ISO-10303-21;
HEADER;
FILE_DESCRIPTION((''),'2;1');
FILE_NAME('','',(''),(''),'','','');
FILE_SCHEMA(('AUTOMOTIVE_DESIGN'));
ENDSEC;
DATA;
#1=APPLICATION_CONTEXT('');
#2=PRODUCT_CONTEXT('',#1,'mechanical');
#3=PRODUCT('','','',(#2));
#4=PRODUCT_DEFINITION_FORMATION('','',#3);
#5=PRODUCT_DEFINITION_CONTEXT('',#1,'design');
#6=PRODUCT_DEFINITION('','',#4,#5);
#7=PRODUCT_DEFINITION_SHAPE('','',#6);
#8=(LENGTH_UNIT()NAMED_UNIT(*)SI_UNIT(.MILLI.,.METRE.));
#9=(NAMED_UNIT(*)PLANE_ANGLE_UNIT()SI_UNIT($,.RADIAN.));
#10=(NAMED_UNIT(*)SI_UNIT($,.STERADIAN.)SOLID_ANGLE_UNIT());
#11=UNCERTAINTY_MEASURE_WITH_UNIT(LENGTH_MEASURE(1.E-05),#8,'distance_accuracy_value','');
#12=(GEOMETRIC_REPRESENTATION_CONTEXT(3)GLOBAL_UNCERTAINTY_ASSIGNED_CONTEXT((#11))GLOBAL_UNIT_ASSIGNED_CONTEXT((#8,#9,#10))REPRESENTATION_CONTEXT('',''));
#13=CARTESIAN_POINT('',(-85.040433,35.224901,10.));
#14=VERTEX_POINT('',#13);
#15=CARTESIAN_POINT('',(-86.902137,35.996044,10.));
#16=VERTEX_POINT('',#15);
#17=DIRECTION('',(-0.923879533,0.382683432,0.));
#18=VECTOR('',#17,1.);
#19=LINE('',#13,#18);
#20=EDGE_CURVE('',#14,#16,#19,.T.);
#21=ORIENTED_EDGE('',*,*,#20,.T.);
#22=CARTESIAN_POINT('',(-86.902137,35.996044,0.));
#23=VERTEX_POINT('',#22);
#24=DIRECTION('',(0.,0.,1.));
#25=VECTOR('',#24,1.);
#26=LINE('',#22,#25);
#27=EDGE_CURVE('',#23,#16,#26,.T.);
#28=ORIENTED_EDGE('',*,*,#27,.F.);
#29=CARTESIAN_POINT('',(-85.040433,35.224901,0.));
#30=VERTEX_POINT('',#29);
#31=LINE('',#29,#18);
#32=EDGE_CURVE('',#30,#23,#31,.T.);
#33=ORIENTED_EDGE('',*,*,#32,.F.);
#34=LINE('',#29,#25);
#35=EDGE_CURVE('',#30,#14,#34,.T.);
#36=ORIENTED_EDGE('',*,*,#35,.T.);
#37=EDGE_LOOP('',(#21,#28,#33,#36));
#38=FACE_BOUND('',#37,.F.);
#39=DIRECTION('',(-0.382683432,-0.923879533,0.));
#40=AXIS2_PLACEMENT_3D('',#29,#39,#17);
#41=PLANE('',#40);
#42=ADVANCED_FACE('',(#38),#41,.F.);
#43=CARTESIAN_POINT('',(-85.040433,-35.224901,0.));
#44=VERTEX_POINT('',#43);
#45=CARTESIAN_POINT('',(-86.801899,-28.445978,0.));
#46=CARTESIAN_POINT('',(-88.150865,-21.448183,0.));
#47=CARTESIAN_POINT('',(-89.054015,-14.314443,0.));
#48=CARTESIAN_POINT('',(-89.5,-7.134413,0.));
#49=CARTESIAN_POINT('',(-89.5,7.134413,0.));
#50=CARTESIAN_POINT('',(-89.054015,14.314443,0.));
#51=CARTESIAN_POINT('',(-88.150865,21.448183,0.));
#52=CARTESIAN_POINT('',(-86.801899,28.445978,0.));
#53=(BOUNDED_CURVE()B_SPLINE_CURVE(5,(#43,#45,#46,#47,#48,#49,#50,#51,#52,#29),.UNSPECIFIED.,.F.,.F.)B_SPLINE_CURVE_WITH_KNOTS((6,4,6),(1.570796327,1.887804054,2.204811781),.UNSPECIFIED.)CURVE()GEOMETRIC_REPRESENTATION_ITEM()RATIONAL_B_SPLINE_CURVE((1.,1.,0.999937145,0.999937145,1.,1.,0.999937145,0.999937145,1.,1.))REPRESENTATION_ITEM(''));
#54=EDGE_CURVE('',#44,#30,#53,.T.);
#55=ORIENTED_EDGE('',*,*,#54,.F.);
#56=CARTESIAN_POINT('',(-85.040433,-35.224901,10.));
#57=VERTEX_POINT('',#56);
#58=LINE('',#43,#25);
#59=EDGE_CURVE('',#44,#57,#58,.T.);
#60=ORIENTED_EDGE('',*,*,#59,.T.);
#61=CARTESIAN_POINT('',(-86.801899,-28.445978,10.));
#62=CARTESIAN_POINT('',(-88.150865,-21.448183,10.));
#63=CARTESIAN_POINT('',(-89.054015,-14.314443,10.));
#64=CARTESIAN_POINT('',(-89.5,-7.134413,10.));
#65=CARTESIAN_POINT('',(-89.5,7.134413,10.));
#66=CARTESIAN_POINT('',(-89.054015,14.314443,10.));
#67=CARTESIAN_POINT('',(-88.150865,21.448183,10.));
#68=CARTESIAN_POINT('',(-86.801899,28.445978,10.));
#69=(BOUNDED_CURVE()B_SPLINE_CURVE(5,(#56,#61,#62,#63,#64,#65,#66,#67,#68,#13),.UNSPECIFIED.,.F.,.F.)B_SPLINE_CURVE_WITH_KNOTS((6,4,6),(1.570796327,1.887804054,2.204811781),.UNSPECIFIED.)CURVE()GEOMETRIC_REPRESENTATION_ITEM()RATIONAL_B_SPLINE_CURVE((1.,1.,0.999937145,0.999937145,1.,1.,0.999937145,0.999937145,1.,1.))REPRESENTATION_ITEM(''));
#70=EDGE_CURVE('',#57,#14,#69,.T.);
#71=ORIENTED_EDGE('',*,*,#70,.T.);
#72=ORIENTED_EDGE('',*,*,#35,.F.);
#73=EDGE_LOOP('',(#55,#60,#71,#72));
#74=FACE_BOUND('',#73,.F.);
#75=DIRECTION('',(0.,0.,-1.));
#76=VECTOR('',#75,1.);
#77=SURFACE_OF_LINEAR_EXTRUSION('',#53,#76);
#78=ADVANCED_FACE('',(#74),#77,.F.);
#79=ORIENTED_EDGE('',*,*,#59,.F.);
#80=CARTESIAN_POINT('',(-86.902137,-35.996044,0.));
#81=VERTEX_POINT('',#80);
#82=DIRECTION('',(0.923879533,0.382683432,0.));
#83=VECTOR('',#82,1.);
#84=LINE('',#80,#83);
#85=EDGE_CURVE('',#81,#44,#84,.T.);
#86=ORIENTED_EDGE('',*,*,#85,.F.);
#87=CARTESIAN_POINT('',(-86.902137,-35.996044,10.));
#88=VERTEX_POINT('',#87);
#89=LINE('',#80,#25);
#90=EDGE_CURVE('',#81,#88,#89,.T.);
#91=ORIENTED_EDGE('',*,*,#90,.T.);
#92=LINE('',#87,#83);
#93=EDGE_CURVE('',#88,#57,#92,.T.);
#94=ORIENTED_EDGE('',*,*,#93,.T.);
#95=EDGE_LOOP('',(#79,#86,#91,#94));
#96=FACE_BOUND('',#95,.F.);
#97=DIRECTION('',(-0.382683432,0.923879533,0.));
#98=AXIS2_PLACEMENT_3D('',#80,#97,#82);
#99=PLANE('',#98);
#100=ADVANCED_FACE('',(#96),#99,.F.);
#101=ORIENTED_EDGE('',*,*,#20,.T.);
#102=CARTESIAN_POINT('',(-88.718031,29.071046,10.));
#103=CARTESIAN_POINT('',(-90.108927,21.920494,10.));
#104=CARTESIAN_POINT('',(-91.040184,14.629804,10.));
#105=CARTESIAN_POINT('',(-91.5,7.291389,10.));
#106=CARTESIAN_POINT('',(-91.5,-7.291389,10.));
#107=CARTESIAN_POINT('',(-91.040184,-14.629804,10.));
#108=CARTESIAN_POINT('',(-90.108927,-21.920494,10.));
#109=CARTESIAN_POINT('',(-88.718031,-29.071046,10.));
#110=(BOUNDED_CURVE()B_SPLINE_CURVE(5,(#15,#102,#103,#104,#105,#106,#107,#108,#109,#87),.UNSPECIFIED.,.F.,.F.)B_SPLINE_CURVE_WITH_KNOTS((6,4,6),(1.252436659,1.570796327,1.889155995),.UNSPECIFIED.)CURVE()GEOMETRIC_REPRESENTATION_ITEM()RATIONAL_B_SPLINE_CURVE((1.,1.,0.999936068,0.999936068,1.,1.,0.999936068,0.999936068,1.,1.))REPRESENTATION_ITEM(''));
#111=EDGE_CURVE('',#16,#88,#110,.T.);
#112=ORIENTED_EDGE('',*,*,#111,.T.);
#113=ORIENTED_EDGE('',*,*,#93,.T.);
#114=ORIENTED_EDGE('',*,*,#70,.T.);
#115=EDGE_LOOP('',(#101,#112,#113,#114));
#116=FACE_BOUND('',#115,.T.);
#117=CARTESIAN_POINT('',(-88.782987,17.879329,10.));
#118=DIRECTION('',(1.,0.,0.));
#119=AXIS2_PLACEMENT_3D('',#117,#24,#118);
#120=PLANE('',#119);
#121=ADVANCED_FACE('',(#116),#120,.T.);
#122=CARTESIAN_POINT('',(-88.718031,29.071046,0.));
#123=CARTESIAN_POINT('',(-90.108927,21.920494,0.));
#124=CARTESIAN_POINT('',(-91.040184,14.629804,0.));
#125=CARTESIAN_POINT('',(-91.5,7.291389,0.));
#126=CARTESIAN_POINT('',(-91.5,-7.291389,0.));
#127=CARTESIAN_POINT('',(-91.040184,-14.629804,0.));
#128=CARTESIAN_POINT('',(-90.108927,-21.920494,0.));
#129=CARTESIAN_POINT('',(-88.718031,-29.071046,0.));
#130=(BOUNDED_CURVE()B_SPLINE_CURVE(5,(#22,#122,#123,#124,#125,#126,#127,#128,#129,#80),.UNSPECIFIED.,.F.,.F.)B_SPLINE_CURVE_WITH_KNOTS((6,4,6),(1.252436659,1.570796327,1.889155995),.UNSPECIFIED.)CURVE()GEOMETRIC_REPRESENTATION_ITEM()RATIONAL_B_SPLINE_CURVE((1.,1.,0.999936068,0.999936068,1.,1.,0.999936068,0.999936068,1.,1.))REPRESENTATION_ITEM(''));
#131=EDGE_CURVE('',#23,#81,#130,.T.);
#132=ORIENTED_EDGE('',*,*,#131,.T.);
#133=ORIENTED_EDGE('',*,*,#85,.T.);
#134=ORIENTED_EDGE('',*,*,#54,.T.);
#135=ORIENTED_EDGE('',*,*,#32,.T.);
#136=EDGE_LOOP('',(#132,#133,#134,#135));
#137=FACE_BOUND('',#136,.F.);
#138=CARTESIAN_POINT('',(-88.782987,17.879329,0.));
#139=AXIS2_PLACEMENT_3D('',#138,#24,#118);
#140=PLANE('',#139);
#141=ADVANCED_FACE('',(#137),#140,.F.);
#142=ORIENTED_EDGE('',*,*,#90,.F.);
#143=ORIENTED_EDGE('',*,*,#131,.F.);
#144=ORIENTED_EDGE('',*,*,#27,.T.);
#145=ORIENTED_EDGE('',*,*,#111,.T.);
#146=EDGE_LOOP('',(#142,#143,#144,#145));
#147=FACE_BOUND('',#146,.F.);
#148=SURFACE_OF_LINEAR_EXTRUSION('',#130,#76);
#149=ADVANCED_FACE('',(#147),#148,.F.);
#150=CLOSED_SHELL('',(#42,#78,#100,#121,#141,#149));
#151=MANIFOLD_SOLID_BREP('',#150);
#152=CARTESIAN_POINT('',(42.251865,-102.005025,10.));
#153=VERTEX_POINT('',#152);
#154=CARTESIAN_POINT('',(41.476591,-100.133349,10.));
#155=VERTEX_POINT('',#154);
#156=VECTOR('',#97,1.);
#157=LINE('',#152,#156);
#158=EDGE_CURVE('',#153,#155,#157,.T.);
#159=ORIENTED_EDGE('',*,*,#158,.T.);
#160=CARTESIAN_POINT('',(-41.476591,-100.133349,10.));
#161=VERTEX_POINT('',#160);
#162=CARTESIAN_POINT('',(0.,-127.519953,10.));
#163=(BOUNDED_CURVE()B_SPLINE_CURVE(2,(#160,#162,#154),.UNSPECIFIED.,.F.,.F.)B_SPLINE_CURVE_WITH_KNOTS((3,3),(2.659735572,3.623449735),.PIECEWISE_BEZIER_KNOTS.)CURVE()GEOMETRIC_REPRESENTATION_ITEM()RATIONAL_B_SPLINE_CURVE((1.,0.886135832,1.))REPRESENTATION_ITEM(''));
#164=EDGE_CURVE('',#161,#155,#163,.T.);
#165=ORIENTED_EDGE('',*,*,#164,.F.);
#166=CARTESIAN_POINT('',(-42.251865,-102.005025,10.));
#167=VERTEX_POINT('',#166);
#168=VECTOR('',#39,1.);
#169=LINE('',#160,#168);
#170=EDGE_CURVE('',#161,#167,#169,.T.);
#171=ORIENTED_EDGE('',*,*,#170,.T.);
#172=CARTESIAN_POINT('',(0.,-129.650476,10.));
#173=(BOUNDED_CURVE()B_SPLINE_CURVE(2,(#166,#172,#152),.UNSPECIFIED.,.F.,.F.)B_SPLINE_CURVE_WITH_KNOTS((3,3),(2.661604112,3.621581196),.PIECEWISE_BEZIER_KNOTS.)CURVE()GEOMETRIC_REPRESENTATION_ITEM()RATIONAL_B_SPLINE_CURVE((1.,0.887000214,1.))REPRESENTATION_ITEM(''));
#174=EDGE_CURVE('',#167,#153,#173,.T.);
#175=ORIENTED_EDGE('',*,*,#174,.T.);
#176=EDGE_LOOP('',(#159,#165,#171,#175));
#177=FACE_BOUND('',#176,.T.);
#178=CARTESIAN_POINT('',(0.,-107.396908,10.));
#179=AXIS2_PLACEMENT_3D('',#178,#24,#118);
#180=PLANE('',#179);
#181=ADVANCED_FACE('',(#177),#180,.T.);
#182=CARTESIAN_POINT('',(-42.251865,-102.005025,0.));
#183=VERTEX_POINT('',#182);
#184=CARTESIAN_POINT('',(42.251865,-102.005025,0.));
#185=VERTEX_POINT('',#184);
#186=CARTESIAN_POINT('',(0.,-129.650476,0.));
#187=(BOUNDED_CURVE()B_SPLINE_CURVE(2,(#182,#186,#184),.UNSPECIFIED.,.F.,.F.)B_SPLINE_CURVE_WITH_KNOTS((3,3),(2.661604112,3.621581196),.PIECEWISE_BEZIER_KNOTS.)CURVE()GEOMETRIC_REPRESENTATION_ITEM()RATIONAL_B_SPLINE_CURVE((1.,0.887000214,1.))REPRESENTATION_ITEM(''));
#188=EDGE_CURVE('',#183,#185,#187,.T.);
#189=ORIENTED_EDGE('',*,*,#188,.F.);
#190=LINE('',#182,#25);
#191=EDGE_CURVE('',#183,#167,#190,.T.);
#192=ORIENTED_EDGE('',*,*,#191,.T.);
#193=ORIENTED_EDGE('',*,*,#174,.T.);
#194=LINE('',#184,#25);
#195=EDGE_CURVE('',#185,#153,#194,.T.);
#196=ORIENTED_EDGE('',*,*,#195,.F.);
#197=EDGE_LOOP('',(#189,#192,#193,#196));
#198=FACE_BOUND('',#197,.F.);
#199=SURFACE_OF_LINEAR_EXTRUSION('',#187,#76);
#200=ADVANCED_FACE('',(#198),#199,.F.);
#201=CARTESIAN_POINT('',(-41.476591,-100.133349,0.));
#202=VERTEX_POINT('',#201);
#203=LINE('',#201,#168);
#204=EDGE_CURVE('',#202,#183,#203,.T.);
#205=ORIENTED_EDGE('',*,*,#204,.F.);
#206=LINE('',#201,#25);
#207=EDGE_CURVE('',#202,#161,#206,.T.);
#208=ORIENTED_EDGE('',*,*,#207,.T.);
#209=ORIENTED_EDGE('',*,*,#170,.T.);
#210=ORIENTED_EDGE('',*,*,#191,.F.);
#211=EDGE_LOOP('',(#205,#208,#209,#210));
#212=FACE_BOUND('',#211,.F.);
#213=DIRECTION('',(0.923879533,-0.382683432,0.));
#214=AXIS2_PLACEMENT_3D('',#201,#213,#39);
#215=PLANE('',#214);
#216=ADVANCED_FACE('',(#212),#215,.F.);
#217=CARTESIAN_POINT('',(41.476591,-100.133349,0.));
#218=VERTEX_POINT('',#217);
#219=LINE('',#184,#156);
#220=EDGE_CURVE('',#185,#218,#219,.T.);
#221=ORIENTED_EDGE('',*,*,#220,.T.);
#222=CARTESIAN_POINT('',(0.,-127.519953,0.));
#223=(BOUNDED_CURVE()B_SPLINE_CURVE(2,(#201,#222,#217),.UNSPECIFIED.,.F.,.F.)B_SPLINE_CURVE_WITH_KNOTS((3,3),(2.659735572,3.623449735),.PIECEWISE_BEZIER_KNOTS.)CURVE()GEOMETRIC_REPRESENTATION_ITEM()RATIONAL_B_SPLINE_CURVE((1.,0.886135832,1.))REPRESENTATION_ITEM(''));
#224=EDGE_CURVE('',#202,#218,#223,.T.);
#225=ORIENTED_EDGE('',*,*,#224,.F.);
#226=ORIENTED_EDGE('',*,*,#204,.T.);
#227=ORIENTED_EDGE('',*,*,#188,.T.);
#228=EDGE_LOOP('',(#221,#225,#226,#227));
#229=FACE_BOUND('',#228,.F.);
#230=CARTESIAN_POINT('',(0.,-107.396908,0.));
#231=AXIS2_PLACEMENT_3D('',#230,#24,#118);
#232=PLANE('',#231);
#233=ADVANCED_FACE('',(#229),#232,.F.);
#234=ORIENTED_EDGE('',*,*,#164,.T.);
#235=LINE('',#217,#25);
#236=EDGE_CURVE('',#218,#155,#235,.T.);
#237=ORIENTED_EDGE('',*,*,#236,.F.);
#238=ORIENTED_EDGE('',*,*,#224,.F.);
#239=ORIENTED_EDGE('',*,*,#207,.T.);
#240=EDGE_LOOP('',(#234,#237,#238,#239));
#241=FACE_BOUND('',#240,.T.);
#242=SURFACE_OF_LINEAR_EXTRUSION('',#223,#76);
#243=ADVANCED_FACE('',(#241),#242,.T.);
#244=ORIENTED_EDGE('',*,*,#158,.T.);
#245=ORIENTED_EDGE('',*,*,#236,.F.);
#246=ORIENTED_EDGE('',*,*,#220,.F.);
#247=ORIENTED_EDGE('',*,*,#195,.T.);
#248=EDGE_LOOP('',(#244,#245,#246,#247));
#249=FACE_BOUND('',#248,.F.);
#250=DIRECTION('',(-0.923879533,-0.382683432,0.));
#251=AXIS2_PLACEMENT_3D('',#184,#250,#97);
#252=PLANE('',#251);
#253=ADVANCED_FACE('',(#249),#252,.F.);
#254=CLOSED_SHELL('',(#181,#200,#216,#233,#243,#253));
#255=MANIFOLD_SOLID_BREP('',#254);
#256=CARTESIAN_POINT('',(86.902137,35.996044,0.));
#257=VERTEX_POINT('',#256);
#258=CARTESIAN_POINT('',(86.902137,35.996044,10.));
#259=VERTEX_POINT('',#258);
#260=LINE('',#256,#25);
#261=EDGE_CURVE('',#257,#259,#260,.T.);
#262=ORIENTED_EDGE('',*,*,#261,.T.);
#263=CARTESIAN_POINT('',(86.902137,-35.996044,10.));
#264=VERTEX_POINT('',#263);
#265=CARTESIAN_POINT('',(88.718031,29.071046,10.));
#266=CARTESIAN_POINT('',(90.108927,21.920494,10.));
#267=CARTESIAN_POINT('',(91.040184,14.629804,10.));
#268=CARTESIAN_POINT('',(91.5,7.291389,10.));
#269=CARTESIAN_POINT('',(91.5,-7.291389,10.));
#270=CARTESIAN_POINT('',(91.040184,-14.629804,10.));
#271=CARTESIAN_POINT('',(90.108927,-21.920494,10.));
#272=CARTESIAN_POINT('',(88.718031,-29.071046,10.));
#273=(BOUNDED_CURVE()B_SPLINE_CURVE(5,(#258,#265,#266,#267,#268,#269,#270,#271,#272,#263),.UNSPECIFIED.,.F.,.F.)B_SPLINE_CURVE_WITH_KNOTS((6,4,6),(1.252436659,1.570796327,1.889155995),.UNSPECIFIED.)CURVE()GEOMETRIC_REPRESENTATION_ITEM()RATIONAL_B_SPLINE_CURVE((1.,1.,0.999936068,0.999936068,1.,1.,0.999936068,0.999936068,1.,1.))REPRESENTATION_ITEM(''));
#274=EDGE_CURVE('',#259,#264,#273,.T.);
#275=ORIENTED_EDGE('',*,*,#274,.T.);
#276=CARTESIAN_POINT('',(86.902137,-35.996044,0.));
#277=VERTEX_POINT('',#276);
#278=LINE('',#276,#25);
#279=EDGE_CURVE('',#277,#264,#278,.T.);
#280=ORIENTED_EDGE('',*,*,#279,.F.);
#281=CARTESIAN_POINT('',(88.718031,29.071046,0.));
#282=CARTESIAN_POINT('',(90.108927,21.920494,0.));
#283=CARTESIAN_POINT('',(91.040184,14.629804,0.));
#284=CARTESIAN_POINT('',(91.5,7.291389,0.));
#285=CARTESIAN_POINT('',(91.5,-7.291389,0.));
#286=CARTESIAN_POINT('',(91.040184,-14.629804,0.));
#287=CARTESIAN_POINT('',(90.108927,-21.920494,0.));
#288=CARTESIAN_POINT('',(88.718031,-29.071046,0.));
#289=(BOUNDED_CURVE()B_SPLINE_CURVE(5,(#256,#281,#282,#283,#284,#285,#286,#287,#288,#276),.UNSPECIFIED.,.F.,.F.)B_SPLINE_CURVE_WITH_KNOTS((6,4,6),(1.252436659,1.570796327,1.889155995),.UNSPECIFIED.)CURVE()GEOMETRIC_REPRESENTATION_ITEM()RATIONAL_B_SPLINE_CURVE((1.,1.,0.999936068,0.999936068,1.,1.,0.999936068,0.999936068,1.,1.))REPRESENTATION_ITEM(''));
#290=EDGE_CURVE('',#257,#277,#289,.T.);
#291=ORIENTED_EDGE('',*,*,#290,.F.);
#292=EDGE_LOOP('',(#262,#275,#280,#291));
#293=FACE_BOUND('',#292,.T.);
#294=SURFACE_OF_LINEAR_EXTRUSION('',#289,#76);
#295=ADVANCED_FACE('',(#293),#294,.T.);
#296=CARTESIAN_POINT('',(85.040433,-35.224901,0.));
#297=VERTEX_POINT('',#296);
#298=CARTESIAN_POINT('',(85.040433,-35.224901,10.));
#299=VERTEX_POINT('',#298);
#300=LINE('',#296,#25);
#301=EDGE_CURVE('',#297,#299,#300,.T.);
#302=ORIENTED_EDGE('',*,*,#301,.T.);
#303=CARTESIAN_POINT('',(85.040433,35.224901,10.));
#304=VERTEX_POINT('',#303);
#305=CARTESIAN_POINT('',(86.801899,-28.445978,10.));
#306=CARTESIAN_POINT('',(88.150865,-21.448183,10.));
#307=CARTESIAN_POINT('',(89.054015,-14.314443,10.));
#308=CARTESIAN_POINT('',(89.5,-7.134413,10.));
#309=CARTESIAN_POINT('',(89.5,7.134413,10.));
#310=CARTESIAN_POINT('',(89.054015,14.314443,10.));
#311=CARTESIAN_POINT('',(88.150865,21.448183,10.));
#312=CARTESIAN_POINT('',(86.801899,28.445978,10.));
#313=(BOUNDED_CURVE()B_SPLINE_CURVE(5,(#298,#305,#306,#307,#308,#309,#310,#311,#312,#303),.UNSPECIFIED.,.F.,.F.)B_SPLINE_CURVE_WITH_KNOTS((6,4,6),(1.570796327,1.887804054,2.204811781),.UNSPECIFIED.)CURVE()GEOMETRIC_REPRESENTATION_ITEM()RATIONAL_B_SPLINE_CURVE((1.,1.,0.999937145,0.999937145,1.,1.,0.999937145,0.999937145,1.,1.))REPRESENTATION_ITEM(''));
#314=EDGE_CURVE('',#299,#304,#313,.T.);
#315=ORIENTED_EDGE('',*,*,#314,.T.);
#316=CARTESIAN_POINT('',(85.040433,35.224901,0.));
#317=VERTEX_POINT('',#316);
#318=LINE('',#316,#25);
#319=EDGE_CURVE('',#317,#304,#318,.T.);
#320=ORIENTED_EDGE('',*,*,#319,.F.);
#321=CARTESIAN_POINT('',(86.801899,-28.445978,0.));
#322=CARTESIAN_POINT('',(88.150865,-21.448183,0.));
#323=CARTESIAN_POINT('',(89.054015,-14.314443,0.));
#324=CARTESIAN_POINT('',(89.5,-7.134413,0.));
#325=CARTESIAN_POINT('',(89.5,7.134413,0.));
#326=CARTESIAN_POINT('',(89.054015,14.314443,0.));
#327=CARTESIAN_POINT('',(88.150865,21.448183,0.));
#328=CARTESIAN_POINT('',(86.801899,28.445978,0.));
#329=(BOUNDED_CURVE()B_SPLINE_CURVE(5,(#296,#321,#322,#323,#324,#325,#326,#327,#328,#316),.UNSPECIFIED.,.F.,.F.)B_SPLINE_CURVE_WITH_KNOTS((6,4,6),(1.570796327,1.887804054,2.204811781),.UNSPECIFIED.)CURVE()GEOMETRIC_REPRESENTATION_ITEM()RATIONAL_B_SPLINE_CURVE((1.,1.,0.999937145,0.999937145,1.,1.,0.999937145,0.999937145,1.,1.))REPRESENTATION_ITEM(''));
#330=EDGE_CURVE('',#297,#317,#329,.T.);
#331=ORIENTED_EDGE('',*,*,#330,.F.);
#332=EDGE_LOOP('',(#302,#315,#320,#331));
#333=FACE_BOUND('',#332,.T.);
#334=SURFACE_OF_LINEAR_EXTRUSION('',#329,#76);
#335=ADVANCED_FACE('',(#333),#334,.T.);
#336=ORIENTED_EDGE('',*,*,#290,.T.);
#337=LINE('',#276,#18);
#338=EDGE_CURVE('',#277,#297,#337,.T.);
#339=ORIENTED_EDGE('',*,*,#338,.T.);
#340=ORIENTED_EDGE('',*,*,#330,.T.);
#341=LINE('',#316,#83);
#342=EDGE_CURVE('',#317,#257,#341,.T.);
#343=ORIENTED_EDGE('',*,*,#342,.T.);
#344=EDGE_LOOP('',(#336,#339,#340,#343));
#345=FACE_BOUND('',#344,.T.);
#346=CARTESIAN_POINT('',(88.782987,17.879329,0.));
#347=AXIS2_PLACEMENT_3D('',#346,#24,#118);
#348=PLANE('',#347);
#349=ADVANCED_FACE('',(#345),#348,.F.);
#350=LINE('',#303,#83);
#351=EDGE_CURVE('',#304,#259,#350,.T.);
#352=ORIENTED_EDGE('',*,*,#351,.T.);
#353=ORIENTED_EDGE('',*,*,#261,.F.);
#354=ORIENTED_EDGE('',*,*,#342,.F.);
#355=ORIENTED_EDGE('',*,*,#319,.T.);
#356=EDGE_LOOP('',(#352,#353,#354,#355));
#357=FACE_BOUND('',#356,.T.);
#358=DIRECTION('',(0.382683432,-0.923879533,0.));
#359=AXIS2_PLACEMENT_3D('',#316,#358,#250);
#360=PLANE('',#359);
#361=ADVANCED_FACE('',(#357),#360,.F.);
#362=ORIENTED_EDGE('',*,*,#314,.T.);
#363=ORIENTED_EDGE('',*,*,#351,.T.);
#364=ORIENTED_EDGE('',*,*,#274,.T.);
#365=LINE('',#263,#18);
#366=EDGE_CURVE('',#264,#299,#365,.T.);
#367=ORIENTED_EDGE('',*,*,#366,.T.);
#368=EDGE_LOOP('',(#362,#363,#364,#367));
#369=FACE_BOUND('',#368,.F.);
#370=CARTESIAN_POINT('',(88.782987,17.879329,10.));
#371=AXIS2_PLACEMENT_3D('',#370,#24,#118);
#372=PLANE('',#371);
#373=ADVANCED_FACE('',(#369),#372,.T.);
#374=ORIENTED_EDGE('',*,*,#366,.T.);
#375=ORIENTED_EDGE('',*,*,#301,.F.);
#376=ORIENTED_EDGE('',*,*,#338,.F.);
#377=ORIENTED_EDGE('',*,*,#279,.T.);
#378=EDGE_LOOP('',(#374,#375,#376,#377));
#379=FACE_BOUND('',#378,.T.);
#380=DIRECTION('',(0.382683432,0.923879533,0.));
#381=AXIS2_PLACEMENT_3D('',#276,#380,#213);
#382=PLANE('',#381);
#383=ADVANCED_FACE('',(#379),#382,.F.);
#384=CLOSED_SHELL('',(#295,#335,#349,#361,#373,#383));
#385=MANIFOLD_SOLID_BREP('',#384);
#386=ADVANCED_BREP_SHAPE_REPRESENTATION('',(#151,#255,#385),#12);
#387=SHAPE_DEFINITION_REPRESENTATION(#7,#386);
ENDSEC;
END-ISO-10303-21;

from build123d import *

# Parameters (mm, degrees)
F1_DEPTH = 10
F3_DEPTH = 10


with BuildPart() as f1:
    # F0 (on Top) → F1 (new body)
    with BuildSketch(Plane.XY):
        with BuildLine():
            Line((-85.0404330334, 35.2249007125), (-86.9021372912, 35.9960438652))
            add(Edge.make_bspline(
                [(-86.9021372912, 35.9960438652), (-91.5, 18.4618753098), (-91.5, 0)],
                knots=[1.2524366586, 1.2524366586, 1.2524366586, 1.5707963268, 1.5707963268, 1.5707963268], degree=2, weights=[1, 0.9873576187, 1]))
            Line((-91.5, 0), (-89.5, 0))
            add(Edge.make_bspline(
                [(-85.0404330334, 35.2249007125), (-89.5, 18.0624544066), (-89.5, 0)],
                knots=[1.2537885998, 1.2537885998, 1.2537885998, 1.5707963268, 1.5707963268, 1.5707963268], degree=2, weights=[1, 0.9874645402, 1]))
        make_face()
        with BuildLine():
            Line((-89.5, 0), (-91.5, 0))
            add(Edge.make_bspline(
                [(-91.5, 0), (-91.5, -18.4618753098), (-86.9021372912, -35.9960438652)],
                knots=[1.5707963268, 1.5707963268, 1.5707963268, 1.889155995, 1.889155995, 1.889155995], degree=2, weights=[1, 0.9873576187, 1]))
            Line((-86.9021372912, -35.9960438652), (-85.0404330334, -35.2249007125))
            add(Edge.make_bspline(
                [(-89.5, 0), (-89.5, -18.0624544066), (-85.0404330334, -35.2249007125)],
                knots=[1.5707963268, 1.5707963268, 1.5707963268, 1.8878040538, 1.8878040538, 1.8878040538], degree=2, weights=[1, 0.9874645402, 1]))
        make_face()
    extrude(amount=F1_DEPTH)


with BuildPart() as f2_1:
    # F2: instance of F1
    add(f1.part.mirror(Plane.YZ))


with BuildPart() as f3:
    # F0 (on Top) → F3 (new body)
    with BuildSketch(Plane.XY):
        with BuildLine():
            add(Edge.make_bspline(
                [(-42.2518646165, -102.0050245927), (0, -129.6504760702), (42.2518646165, -102.0050245927)],
                knots=[2.6616041117, 2.6616041117, 2.6616041117, 3.6215811955, 3.6215811955, 3.6215811955], degree=2, weights=[1, 0.8870002138, 1]))
            Line((42.2518646165, -102.0050245927), (41.4765912171, -100.1333490373))
            add(Edge.make_bspline(
                [(-41.4765912171, -100.1333490373), (0, -127.5199533699), (41.4765912171, -100.1333490373)],
                knots=[2.6597355721, 2.6597355721, 2.6597355721, 3.6234497351, 3.6234497351, 3.6234497351], degree=2, weights=[1, 0.8861358322, 1]))
            Line((-41.4765912171, -100.1333490373), (-42.2518646165, -102.0050245927))
        make_face()
    extrude(amount=F3_DEPTH)


solid = Compound([f1.part, f2_1.part, f3.part])
